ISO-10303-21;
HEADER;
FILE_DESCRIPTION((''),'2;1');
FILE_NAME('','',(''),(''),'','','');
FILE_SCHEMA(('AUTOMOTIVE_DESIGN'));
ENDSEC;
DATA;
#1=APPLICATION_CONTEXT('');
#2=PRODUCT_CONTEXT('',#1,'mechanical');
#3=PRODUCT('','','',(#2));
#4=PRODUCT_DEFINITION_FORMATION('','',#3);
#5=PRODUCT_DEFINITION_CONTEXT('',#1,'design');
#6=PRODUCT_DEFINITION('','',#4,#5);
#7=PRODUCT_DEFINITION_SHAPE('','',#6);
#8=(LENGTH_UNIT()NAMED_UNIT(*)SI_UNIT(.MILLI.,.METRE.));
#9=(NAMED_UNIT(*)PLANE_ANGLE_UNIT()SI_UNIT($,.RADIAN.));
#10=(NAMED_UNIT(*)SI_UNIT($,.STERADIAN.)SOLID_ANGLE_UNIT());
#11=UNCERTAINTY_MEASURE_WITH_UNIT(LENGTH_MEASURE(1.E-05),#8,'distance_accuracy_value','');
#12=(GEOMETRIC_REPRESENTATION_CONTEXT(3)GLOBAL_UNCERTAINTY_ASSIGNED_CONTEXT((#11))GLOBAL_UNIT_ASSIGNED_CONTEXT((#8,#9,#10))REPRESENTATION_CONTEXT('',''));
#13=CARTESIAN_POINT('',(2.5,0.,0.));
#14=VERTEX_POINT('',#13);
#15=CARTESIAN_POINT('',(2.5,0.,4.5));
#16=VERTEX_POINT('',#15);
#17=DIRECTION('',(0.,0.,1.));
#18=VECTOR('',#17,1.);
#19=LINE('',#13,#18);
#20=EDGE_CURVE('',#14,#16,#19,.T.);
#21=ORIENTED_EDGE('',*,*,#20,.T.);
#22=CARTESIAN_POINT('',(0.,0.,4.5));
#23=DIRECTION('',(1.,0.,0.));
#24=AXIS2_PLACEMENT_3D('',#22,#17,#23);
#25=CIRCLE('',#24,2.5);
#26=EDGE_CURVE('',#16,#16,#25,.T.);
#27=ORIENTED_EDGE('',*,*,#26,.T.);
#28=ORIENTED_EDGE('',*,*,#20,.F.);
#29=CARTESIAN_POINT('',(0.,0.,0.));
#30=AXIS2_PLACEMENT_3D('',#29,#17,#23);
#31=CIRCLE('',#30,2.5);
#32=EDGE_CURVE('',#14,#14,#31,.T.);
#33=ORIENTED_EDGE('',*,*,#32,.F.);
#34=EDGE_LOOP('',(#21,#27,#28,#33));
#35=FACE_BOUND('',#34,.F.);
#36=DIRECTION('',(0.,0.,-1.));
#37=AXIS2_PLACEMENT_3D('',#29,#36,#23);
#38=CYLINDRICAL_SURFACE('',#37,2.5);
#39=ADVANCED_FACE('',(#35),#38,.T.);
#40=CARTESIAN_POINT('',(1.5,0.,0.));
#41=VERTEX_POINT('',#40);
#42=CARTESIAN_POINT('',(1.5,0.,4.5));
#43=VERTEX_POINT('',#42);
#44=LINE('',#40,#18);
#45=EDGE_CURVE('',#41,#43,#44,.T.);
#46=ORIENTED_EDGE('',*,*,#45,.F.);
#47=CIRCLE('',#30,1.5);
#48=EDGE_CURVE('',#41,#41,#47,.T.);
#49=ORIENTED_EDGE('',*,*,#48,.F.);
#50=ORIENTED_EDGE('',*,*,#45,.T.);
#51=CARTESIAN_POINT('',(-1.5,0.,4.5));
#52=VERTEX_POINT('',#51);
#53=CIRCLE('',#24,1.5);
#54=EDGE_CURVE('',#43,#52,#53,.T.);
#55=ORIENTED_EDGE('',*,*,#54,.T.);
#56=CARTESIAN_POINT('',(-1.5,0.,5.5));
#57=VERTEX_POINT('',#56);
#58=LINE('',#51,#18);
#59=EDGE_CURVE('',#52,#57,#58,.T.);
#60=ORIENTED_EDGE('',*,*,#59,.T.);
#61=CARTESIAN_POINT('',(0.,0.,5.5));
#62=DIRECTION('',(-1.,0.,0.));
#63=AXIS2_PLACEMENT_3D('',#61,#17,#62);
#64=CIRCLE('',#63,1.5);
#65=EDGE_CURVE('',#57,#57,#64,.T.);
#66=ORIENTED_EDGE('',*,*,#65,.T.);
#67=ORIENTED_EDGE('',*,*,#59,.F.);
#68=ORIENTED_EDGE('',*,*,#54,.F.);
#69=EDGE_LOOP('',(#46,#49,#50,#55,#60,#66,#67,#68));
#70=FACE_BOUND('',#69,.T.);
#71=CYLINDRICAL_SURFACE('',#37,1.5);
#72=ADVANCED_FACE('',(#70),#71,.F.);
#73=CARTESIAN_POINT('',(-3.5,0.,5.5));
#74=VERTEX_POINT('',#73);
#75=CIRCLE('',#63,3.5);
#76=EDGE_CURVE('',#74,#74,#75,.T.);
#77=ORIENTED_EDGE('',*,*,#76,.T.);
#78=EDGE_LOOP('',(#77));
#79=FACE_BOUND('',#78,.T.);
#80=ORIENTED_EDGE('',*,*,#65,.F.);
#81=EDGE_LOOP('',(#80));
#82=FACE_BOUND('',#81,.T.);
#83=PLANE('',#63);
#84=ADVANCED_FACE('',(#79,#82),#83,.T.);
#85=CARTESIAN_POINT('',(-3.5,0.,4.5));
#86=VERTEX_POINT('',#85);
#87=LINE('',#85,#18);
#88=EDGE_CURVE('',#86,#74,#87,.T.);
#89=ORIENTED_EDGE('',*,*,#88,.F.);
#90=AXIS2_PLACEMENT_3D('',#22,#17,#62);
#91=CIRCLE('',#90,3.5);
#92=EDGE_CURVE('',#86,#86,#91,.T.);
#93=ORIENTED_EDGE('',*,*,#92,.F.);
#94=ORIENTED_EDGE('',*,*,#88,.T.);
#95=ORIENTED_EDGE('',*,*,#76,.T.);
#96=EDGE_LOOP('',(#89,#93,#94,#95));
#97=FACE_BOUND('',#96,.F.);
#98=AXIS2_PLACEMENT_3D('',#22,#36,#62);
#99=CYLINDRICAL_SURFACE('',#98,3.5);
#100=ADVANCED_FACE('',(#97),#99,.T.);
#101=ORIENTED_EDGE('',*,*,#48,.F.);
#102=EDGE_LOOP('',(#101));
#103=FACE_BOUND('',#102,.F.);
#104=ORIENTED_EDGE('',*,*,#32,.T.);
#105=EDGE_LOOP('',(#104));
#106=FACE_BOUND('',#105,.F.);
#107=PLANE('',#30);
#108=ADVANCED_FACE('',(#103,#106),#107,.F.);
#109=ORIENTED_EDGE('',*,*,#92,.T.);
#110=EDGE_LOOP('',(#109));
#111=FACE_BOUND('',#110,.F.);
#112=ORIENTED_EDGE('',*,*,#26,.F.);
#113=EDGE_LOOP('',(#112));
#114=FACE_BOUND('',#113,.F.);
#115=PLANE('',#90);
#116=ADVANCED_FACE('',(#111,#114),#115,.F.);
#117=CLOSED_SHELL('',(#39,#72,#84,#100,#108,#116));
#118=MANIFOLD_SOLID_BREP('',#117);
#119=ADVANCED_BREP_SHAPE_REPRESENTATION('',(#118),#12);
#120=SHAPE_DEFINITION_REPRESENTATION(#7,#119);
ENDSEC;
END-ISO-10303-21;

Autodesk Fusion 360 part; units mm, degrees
sketch "Esquisse1" plane through (0, 0, 0) normal (0, 0, 1) x (1, 0, 0)
  circle A0 centre (0, 0) radius 1.5
  circle A1 centre (0, 0) radius 2.5
  dimension "d1" = 3
  dimension "d2" = 5
extrude "Extrusion1" add sketch "Esquisse1" along normal blind 4.5
sketch "Esquisse2" plane through (0, 0, 4.5) normal (0, 0, 1) x (-1, 0, 0)
  circle A0 centre (0, 0) radius 1.5
  circle A1 centre (0, 0) radius 2.5
  circle A2 centre (0, 0) radius 1.5
  circle A3 centre (0, 0) radius 2.5
  circle A4 centre (0, 0) radius 3.5
  dimension "d5" = 3
  dimension "d6" = 5
  dimension "d7" = 7
extrude "Extrusion2" add sketch "Esquisse2" along normal blind 1 contours A1 A3 | A4
